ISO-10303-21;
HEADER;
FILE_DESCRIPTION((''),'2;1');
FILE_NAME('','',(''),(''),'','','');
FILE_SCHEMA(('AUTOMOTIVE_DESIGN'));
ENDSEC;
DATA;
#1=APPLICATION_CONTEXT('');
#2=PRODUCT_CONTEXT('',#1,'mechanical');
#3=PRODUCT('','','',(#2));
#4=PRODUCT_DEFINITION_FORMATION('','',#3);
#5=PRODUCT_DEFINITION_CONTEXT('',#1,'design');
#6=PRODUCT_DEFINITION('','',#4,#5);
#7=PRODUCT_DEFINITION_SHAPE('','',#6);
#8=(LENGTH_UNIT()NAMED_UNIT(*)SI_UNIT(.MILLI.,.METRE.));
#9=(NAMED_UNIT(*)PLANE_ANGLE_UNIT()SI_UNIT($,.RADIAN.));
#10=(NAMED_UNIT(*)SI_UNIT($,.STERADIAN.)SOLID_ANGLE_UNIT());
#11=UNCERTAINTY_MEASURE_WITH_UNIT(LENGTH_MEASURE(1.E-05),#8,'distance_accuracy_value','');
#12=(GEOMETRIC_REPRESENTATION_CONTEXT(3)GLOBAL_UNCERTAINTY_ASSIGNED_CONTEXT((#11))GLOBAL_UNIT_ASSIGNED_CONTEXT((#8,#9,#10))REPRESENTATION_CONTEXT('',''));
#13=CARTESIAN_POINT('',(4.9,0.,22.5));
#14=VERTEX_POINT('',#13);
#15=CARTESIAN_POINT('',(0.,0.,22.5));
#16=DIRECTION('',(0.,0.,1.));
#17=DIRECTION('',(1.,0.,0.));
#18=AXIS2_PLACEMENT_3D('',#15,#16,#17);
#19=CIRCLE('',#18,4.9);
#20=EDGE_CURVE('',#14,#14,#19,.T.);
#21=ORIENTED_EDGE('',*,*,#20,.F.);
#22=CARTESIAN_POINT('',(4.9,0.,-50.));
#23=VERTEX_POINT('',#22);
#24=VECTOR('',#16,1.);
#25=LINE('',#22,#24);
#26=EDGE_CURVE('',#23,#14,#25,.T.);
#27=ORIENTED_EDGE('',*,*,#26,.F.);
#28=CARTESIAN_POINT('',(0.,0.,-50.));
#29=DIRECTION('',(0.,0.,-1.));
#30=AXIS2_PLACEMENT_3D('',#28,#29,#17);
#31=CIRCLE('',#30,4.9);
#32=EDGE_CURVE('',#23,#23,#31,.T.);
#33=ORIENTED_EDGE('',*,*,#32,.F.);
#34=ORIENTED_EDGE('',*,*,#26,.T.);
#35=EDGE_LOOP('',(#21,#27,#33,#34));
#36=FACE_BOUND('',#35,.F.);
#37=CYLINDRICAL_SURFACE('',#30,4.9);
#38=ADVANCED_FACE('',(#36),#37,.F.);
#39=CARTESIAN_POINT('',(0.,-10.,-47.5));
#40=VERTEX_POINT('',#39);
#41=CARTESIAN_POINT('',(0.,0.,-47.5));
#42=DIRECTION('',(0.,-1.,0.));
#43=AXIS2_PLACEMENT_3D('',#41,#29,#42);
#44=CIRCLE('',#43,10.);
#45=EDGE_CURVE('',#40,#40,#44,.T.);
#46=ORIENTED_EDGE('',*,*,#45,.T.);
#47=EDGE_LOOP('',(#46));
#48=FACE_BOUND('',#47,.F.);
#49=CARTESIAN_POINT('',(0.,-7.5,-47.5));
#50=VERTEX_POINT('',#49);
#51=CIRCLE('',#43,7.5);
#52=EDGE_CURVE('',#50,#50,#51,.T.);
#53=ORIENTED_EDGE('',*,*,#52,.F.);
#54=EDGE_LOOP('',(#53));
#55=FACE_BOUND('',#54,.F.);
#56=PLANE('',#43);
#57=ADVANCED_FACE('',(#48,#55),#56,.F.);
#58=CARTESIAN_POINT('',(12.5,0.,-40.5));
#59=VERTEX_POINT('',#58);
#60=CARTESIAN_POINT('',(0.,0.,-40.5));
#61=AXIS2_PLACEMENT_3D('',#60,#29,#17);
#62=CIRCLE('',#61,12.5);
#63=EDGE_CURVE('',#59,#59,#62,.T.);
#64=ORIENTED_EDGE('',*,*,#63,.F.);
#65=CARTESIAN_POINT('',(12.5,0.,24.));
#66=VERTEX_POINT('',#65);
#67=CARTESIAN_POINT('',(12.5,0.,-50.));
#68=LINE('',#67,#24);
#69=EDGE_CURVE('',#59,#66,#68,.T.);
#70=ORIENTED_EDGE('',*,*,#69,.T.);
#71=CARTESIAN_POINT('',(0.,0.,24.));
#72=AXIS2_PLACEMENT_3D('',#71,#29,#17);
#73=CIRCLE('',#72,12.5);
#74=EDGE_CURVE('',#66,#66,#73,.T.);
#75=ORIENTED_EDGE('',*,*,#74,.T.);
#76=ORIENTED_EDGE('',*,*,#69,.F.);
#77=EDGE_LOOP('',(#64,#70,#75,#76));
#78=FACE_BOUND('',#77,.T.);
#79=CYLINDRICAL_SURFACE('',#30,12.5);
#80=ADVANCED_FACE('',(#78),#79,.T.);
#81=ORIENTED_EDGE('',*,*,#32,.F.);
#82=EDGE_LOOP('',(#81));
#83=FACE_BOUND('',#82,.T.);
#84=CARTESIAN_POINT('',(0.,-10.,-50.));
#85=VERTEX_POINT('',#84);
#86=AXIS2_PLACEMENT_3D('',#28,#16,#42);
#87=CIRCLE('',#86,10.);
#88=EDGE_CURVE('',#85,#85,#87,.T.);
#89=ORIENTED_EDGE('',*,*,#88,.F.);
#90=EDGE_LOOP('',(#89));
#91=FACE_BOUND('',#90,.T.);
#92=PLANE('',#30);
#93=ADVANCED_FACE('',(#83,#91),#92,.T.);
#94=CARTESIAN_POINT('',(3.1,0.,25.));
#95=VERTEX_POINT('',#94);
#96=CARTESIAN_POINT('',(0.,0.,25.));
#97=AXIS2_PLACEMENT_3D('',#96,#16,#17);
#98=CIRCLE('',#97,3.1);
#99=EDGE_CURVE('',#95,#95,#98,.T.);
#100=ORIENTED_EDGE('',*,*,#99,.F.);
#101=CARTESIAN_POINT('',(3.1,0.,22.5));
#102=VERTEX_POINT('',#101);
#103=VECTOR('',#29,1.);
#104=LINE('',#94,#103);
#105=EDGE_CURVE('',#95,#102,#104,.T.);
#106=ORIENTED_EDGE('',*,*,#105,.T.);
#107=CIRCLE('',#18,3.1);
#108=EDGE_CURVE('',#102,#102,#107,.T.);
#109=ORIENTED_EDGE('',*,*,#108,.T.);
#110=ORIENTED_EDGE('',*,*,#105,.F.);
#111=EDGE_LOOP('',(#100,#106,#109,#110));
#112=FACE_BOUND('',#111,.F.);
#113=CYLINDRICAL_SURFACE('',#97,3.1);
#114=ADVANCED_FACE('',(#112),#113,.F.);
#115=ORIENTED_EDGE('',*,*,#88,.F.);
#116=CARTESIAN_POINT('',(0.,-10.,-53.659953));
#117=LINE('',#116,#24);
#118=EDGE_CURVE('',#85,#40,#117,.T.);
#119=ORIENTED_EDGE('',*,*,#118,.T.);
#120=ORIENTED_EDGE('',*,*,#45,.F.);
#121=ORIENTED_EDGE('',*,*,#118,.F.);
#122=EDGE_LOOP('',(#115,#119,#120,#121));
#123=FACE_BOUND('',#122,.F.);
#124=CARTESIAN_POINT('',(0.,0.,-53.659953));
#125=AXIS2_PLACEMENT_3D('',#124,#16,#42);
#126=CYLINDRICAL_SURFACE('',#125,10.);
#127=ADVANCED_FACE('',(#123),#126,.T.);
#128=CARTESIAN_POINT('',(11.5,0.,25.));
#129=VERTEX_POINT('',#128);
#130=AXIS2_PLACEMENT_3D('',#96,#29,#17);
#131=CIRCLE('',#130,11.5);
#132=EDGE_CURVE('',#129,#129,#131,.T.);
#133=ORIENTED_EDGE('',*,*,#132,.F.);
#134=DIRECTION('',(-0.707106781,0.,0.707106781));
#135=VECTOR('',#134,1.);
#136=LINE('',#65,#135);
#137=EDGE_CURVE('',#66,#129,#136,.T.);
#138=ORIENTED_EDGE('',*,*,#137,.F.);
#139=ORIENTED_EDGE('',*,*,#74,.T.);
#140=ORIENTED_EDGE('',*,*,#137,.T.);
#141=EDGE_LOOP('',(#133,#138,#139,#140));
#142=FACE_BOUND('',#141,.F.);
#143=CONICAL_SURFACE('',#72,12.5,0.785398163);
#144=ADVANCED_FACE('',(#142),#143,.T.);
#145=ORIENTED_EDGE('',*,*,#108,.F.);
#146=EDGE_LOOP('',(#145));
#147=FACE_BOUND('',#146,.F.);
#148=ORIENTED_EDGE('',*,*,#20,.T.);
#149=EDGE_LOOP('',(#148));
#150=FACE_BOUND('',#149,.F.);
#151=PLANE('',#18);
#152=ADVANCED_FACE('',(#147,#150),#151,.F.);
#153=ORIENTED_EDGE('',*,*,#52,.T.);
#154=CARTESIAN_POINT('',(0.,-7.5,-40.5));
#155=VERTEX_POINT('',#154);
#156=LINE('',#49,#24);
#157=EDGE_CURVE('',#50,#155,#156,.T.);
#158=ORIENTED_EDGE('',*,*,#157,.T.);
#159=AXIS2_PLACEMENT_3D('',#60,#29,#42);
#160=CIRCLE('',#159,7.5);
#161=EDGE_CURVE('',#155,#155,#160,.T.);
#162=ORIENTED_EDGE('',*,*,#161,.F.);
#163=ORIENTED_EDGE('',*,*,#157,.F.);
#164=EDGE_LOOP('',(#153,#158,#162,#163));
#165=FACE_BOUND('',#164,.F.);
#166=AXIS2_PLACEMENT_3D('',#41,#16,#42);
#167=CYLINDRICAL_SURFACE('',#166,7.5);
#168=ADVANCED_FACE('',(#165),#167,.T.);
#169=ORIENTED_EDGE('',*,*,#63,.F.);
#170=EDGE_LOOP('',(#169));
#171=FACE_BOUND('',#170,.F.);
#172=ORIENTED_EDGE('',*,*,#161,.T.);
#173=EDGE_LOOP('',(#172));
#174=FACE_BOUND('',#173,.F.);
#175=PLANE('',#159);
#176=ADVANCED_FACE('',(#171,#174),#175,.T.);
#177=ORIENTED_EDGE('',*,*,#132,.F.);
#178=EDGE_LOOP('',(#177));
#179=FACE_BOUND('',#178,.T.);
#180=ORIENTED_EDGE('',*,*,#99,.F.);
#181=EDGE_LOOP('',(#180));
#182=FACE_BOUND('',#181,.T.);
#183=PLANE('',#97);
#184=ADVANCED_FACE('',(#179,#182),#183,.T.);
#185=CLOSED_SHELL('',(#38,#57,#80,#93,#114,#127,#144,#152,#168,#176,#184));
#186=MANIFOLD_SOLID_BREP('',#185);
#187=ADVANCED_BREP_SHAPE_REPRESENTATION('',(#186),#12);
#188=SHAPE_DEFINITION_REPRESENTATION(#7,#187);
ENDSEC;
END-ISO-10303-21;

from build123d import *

# Parameters (mm, degrees)
F0_R      = 21.5
F1_DEPTH  = 40
F2_R      = 5
F3_R      = 21.5
F4_DEPTH  = 40
F5_SIZE2  = 7.5
F5_SIZE   = 40
F6_DEPTH  = 10
F7_R      = 10
F10_R     = 4.9
F11_DEPTH = 75
F12_R     = 16.5
F13_DEPTH = 5
F14_R     = 3.1
F15_DEPTH = 85.001
F16_R     = 45.5023146051
F16_R_2   = 12.5
F17_DEPTH = 100
F18_W     = 86.4328397527
F18_H     = 43.3590536159
F19_DEPTH = 25
F20_SIZE  = 1
F21_R     = 4.9
F21_R_2   = 3.1
F22_DEPTH = 2.5


with BuildPart() as f1:
    # F0 (on Top) → F1 (new body)
    with BuildSketch(Plane.XY):
        Circle(F0_R)
    extrude(amount=F1_DEPTH)

    # F2
    f2_edges = [f1.edges().sort_by_distance(p)[0] for p in [
        (-21.5, 0, 40),
    ]]
    fillet(f2_edges, radius=F2_R)

    # F3 (on face) → F4 (join)
    with BuildSketch(Plane(origin=(0, 0, 0), x_dir=(1, 0, 0), z_dir=(0, 0, -1))):
        Circle(F3_R)
    extrude(amount=F4_DEPTH)

    # F5
    f5_edges = [f1.edges().sort_by_distance(p)[0] for p in [
        (-21.5, 0, -40),
    ]]
    chamfer(f5_edges, length=F5_SIZE, length2=F5_SIZE2)

    # F6 (add): a face of the model
    f6_faces = [f1.faces().sort_by_distance(p)[0] for p in [
        (0, 0, -40),
    ]]
    extrude(f6_faces, amount=F6_DEPTH)

    # F7
    f7_edges = [f1.edges().sort_by_distance(p)[0] for p in [
        (-21.5, 0, 0),
    ]]
    fillet(f7_edges, radius=F7_R)

    # F8 (on Right) → F9 (revolve, cut)
    with BuildSketch(Plane.YZ):
        Polygon((-7.5, -40.5), (-17.4298945979, -40.5), (-17.4298945979, -47.5), (-17.4298945979, -53.659953177), (-10, -53.659953177), (-10, -47.5), (-7.5, -47.5), align=None)
    revolve(axis=Axis((0, 0, -53.4000843763), (0, 0, -1)), mode=Mode.SUBTRACT)

    # F10 (on face) → F11 (cut)
    with BuildSketch(Plane(origin=(0, 0, -50), x_dir=(1, 0, 0), z_dir=(0, 0, -1))):
        Circle(F10_R)
    extrude(amount=-F11_DEPTH, mode=Mode.SUBTRACT)

    # F12 (on face) → F13 (cut)
    with BuildSketch(Plane.XY.offset(40)):
        Circle(F12_R)
    extrude(amount=-F13_DEPTH, mode=Mode.SUBTRACT)

    # F14 (on face) → F15 (cut, through all)
    with BuildSketch(Plane.XY.offset(35)):
        Circle(F14_R)
    extrude(amount=-F15_DEPTH, mode=Mode.SUBTRACT)

    # F16 (on face) → F17 (cut)
    with BuildSketch(Plane(origin=(0, 0, -50), x_dir=(1, 0, 0), z_dir=(0, 0, -1))):
        Circle(F16_R)
        Circle(F16_R_2, mode=Mode.SUBTRACT)
    extrude(amount=-F17_DEPTH, mode=Mode.SUBTRACT)

    # F18 (on Front) → F19 (cut, symmetric)
    with BuildSketch(Plane.XZ):
        with Locations((1.7612818629, 46.679526808)):
            Rectangle(F18_W, F18_H)
    extrude(amount=F19_DEPTH, both=True, mode=Mode.SUBTRACT)

    # F20
    f20_edges = [f1.edges().sort_by_distance(p)[0] for p in [
        (-12.5, 0, 25),
    ]]
    chamfer(f20_edges, length=F20_SIZE)

    # F21 (on face) → F22 (join)
    with BuildSketch(Plane.XY.offset(25)):
        Circle(F21_R)
        Circle(F21_R_2, mode=Mode.SUBTRACT)
    extrude(amount=-F22_DEPTH)


solid = f1.part
